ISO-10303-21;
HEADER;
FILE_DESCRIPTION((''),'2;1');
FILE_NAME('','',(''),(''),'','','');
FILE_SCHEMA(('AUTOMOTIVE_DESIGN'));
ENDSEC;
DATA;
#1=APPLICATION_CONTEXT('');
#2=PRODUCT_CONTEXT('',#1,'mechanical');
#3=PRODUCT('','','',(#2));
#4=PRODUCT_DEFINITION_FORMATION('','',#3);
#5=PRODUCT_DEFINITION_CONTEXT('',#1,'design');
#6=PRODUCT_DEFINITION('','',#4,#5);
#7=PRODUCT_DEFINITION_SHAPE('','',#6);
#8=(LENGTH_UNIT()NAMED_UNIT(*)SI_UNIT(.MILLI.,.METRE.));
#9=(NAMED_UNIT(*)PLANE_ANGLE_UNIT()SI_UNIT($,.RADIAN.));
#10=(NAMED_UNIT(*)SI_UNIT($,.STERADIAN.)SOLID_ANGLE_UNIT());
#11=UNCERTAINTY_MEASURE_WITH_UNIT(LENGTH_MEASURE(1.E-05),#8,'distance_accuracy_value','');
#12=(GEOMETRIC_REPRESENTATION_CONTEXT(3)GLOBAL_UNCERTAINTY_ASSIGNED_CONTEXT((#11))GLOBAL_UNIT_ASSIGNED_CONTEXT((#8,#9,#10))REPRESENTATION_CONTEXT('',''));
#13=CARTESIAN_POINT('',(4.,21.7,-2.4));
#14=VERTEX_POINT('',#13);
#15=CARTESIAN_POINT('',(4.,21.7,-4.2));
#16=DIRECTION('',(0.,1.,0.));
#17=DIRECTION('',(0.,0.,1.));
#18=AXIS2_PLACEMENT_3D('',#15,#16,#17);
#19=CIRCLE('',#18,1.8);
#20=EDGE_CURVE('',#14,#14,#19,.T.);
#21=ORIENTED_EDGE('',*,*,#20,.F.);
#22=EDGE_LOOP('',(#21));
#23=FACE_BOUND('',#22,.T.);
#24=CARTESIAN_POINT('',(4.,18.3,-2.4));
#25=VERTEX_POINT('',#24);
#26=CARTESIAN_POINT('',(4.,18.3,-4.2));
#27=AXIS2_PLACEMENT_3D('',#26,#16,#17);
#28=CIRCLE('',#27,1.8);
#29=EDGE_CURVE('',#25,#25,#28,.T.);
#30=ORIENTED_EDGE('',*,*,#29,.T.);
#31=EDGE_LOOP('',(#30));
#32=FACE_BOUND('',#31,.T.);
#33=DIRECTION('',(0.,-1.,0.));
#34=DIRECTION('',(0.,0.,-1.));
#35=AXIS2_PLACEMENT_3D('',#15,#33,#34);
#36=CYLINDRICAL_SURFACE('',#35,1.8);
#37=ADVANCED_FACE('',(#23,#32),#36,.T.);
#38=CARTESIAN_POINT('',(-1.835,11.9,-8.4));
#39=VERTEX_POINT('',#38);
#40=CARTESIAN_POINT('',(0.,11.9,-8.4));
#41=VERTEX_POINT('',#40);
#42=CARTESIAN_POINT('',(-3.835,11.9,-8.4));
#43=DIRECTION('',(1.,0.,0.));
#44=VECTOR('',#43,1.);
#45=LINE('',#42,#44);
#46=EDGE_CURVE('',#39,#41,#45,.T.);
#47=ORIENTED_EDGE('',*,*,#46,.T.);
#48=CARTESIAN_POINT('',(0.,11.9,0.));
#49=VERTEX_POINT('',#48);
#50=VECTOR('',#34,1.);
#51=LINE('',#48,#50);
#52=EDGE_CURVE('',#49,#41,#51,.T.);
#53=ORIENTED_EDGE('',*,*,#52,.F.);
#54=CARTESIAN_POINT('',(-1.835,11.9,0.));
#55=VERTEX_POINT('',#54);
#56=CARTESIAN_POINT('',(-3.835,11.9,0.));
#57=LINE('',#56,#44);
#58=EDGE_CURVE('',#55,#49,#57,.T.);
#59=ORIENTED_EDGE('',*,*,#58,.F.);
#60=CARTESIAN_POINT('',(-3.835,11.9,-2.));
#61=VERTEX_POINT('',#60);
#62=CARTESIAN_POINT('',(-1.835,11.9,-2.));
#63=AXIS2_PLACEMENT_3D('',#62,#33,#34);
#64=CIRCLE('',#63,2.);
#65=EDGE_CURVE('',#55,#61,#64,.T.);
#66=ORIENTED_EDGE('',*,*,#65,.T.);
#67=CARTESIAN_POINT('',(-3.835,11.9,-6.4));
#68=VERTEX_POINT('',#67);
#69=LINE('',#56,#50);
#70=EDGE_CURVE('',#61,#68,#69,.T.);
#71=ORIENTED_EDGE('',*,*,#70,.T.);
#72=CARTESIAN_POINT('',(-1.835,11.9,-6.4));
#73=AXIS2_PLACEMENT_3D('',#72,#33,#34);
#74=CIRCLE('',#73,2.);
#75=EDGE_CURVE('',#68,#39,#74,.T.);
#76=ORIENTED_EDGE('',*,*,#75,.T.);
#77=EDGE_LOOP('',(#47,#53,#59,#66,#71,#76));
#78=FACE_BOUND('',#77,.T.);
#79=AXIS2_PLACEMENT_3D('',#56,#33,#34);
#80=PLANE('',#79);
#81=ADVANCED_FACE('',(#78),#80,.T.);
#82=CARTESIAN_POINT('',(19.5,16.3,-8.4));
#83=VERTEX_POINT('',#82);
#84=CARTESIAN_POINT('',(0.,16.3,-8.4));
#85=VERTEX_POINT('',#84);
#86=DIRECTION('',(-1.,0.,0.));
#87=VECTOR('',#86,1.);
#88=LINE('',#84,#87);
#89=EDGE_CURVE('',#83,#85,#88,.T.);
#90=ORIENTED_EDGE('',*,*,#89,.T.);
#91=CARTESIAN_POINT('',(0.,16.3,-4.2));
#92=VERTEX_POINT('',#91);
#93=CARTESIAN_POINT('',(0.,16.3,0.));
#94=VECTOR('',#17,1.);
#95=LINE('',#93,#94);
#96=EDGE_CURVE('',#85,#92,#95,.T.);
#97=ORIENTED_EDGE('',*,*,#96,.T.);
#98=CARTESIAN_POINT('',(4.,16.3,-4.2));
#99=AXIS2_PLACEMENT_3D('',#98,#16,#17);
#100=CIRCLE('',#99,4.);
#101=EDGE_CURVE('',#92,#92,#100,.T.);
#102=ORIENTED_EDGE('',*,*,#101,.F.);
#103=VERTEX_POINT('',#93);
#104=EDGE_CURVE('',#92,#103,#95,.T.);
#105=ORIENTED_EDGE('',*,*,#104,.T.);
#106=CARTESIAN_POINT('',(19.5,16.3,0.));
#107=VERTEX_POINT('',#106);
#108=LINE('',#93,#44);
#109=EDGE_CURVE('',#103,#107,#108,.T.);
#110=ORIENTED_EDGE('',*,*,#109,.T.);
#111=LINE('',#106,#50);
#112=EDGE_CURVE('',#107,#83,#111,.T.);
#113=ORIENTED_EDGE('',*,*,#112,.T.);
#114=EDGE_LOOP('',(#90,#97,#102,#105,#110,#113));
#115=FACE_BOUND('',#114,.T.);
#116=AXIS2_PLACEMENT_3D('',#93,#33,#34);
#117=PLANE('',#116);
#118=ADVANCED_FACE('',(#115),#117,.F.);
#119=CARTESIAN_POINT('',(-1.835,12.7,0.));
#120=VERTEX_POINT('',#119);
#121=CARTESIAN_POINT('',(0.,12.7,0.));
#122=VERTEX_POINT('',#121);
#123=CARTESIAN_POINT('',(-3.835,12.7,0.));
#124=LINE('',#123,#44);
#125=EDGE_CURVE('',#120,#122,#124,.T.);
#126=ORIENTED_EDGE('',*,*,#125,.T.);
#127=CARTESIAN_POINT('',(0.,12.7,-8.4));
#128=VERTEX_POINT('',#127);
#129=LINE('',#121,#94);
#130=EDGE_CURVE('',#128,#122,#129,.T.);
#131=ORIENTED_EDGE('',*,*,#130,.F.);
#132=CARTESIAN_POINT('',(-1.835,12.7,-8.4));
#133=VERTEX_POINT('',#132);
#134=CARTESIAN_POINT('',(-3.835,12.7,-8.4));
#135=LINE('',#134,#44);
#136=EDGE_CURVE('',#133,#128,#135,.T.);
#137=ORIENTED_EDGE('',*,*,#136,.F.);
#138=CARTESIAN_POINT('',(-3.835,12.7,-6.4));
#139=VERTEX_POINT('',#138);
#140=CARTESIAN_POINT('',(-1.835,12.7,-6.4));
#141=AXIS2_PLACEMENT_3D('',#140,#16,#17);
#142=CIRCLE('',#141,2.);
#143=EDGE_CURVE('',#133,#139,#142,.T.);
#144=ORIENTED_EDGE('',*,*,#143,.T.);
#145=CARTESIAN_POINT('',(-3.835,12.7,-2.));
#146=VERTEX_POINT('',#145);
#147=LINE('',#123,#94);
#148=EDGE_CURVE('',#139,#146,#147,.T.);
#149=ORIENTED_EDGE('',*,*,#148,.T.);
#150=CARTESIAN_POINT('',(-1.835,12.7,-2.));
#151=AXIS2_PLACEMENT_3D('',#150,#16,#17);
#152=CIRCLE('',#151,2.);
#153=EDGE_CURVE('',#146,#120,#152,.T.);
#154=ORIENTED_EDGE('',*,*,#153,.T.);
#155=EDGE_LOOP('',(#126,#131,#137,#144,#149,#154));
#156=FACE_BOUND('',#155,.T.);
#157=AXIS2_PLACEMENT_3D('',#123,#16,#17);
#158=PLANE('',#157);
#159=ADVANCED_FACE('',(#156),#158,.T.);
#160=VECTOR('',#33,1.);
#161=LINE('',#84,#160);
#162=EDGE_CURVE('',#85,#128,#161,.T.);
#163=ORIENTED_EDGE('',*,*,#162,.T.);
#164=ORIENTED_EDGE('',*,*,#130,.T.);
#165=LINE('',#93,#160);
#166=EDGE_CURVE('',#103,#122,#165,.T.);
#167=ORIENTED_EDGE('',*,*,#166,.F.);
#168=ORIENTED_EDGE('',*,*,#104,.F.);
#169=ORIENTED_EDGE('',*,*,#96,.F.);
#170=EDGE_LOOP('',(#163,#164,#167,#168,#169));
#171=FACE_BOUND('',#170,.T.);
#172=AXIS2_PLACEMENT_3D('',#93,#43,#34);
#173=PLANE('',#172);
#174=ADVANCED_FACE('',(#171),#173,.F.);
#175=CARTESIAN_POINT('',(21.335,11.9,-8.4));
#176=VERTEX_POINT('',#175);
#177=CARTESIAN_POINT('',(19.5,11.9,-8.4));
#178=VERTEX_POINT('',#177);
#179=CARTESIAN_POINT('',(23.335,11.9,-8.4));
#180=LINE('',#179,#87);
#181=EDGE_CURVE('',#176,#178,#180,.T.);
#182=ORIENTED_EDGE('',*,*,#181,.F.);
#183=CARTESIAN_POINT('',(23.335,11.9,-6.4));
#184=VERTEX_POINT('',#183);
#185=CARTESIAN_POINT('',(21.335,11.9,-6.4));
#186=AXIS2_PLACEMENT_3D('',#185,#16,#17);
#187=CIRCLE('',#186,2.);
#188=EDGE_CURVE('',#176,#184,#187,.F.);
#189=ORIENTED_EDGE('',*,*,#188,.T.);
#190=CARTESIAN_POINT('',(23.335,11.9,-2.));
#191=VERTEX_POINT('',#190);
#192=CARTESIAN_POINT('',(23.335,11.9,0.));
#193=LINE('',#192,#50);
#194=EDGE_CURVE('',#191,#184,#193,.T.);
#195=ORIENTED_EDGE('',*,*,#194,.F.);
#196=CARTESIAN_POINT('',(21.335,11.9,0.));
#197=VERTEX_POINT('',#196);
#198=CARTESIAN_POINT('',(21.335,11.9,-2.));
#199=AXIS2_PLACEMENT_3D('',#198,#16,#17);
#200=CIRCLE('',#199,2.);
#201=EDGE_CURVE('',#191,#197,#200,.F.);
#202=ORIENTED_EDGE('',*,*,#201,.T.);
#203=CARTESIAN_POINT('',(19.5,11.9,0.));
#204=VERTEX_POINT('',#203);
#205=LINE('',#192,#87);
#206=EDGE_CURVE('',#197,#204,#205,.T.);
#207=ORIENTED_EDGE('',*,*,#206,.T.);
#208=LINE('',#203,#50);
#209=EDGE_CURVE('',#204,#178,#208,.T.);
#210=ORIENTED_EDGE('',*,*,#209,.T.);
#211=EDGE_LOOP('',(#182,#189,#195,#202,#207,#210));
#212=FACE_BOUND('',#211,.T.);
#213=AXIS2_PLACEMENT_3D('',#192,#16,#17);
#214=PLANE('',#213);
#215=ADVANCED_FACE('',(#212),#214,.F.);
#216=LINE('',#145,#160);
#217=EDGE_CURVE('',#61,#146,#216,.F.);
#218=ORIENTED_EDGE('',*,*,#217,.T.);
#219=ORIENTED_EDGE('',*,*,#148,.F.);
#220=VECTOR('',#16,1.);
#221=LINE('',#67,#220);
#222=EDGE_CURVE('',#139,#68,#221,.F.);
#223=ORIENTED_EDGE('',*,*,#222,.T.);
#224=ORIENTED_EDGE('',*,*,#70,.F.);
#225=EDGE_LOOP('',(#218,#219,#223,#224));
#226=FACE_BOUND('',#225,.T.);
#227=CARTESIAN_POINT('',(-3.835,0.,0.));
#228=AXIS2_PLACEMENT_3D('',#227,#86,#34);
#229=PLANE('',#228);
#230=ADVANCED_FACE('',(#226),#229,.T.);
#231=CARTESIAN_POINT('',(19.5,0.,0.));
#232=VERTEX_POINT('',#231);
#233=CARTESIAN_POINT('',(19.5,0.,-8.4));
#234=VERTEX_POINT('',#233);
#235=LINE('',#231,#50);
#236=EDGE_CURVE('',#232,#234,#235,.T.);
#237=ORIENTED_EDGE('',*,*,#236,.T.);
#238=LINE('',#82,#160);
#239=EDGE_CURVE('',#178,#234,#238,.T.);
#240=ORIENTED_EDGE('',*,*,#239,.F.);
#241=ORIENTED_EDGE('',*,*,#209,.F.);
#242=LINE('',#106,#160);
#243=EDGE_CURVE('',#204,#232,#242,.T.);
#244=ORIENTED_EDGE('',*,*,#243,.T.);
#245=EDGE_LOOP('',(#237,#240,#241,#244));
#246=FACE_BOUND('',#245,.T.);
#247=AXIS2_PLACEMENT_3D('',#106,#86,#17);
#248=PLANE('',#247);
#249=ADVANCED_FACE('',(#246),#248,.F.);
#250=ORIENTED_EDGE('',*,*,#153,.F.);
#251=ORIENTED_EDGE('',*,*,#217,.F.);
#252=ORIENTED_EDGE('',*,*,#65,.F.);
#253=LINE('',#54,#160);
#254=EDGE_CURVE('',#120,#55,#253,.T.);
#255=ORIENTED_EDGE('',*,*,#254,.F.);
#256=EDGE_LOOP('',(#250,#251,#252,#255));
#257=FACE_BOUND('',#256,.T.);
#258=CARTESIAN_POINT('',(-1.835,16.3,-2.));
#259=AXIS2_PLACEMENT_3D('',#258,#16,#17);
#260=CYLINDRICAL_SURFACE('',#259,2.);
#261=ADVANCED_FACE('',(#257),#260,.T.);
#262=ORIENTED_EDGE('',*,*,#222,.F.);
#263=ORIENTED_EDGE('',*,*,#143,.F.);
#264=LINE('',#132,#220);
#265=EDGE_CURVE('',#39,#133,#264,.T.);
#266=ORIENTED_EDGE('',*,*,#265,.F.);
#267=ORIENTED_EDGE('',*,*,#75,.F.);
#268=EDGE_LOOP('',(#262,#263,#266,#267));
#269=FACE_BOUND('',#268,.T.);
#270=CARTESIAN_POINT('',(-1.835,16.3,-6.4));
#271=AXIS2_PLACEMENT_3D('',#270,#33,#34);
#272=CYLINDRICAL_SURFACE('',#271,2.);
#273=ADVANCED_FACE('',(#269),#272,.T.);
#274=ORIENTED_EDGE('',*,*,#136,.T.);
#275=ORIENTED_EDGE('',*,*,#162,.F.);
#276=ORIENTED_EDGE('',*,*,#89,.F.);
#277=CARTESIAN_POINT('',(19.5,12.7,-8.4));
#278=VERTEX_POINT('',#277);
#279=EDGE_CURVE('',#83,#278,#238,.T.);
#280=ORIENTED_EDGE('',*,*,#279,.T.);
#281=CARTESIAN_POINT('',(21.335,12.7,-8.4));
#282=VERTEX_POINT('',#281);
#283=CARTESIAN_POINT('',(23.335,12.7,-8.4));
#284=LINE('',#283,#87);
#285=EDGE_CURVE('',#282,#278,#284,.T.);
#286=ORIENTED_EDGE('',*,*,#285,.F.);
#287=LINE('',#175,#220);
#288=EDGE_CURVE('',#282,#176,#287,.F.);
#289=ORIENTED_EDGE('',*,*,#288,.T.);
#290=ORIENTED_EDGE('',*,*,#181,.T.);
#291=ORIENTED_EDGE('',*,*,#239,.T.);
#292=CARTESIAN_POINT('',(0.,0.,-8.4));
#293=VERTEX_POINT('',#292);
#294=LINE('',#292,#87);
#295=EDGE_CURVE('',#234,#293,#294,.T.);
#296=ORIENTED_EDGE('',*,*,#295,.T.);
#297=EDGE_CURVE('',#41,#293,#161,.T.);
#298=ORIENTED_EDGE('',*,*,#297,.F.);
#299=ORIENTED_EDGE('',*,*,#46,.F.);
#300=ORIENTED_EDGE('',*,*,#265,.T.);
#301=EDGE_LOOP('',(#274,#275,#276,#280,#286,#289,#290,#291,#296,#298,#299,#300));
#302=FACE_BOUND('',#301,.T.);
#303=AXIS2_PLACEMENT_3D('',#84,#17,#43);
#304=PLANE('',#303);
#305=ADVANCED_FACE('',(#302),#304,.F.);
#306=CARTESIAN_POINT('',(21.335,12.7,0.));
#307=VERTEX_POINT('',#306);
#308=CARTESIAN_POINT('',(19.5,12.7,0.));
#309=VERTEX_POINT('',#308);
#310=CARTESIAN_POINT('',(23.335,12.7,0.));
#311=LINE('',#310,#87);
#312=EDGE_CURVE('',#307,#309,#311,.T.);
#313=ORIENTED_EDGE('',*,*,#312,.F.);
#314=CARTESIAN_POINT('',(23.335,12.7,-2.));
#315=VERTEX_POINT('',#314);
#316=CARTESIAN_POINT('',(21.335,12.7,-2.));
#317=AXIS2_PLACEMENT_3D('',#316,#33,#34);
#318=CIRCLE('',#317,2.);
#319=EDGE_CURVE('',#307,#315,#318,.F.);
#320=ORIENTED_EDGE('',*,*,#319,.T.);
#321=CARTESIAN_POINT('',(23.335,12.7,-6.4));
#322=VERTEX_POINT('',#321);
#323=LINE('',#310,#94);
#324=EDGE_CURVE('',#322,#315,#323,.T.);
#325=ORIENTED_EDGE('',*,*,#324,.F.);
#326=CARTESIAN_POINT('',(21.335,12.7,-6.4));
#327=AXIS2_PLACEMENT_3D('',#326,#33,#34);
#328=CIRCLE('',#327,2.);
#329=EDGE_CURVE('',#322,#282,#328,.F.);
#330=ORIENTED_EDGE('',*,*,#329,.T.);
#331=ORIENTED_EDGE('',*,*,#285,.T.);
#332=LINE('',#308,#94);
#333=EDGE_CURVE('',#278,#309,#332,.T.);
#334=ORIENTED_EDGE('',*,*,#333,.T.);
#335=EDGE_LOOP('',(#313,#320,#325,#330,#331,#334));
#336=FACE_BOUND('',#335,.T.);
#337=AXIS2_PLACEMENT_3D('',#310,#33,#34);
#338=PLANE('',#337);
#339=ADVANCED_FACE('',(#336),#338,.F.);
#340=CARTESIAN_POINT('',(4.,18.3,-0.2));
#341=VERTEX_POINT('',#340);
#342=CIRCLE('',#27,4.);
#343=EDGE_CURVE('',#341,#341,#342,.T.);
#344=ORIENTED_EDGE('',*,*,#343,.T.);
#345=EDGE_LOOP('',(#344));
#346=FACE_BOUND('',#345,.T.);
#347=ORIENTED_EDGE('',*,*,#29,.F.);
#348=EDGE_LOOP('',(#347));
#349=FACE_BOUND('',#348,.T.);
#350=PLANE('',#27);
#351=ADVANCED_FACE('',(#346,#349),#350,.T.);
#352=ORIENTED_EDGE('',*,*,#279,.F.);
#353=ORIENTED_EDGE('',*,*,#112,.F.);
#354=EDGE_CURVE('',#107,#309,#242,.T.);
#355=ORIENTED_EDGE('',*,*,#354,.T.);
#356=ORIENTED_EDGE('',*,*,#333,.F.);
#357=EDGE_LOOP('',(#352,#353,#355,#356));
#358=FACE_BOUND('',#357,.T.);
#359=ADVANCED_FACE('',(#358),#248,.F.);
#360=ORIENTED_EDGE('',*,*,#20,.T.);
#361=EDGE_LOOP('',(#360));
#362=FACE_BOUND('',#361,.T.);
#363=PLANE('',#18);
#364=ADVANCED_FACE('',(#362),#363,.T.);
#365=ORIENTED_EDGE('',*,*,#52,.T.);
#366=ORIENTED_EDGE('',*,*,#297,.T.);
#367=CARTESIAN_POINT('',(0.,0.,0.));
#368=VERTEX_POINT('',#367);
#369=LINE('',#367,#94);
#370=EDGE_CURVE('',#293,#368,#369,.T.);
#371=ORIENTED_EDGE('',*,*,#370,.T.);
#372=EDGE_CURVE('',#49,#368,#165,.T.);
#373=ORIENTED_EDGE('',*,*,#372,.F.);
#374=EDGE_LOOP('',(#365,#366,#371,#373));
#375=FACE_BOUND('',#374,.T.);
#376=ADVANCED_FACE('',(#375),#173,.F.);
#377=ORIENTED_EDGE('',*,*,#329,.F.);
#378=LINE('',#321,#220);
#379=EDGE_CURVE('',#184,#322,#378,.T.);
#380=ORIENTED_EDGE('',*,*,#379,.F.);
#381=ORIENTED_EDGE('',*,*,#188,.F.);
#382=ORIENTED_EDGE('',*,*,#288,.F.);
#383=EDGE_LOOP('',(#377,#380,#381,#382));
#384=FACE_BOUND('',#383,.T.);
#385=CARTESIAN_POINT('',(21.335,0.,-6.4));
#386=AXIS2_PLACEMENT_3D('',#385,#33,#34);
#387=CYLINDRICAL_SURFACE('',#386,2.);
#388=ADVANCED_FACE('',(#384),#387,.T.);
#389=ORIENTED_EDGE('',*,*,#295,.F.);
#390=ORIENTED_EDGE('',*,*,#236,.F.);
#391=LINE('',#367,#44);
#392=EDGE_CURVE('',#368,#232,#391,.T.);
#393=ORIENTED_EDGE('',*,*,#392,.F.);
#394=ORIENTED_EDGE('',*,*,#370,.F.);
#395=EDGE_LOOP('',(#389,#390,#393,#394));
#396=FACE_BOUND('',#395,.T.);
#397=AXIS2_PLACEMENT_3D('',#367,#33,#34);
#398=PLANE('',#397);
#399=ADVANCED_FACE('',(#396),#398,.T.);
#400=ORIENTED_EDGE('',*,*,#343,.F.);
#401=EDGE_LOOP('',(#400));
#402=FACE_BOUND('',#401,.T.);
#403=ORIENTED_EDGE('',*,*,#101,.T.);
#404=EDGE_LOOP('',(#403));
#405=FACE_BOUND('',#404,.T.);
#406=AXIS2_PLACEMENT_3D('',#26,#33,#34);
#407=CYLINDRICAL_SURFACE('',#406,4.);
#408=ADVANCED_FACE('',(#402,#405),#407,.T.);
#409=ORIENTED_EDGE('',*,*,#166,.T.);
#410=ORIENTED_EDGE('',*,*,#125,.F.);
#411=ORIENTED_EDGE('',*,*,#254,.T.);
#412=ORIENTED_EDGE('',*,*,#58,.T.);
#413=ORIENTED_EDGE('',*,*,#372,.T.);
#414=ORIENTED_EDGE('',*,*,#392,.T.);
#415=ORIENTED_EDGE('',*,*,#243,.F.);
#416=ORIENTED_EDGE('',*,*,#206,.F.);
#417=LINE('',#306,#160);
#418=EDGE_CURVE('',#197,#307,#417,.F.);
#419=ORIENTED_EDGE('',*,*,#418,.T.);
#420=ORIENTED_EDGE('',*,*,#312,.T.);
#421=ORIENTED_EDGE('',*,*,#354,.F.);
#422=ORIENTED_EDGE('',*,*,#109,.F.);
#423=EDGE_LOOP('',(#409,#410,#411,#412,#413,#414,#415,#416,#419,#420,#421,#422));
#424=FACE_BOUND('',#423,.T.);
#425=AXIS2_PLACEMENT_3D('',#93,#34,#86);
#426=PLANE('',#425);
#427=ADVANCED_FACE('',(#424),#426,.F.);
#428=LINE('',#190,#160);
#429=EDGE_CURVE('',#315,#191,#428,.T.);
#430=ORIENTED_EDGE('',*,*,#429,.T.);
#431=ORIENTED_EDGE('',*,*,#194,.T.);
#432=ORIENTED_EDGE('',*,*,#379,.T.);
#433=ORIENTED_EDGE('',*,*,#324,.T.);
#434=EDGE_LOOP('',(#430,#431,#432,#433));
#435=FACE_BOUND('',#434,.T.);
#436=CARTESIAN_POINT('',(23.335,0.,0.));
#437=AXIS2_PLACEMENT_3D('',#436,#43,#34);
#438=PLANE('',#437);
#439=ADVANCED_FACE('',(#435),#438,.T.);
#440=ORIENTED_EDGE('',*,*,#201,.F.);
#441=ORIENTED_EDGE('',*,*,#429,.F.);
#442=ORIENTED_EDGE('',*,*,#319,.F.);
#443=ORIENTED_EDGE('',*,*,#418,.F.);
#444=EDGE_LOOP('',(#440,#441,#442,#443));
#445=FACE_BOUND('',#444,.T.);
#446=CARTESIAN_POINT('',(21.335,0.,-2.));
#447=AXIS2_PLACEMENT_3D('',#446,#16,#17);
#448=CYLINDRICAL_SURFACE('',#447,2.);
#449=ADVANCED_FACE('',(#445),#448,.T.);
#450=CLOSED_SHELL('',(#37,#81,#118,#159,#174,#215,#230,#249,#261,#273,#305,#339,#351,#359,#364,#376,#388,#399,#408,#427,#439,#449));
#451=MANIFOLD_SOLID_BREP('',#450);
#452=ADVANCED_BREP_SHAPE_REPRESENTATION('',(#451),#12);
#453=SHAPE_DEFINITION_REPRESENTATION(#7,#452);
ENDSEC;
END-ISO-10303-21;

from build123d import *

# Parameters (mm, degrees)
SKETCH1_W           = 19.5
SKETCH1_H           = 8.4
BOSS_EXTRUDE1_DEPTH = 16.3
SKETCH2_R           = 4
BOSS_EXTRUDE2_DEPTH = 2
SKETCH3_W           = 8.4
SKETCH3_H           = 0.8
BOSS_EXTRUDE3_DEPTH = 3.835
FILLET1_R           = 2
FILLET2_R           = 2
SKETCH4_R           = 1.8
BOSS_EXTRUDE4_DEPTH = 3.4


with BuildPart() as part:
    # Sketch1 → Boss-Extrude1 (new body)
    with BuildSketch(Plane(origin=(0, 0, 0), x_dir=(1, 0, 0), z_dir=(0, 1, 0))):
        with Locations((9.75, 4.2)):
            Rectangle(SKETCH1_W, SKETCH1_H)
    extrude(amount=BOSS_EXTRUDE1_DEPTH)

    # Sketch2 → Boss-Extrude2 (add)
    with BuildSketch(Plane(origin=(0, 16.3, 0), x_dir=(1, 0, 0), z_dir=(0, 1, 0))):
        with Locations((4, 4.2)):
            Circle(SKETCH2_R)
    extrude(amount=BOSS_EXTRUDE2_DEPTH)

    # Sketch3 → Boss-Extrude3 (add)
    with BuildSketch(Plane(origin=(19.5, 0, 0), x_dir=(0, 0, -1), z_dir=(1, 0, 0))):
        with Locations((4.2, 12.3)):
            Rectangle(SKETCH3_W, SKETCH3_H)
    boss_extrude3 = extrude(amount=BOSS_EXTRUDE3_DEPTH)

    # Fillet1
    fillet1_edges = [part.edges().sort_by_distance(p)[0] for p in [
        (23.335, 12.3, 0),
        (23.335, 12.3, -8.4),
    ]]
    fillet(fillet1_edges, radius=FILLET1_R)

    # Mirror1: Boss-Extrude3 across plane
    add(boss_extrude3.mirror(Plane(origin=(9.75, 0, 0), x_dir=(0, 0, 1), z_dir=(1, 0, 0))))

    # Fillet2
    fillet2_edges = [part.edges().sort_by_distance(p)[0] for p in [
        (-3.835, 12.3, 0),
        (-3.835, 12.3, -8.4),
    ]]
    fillet(fillet2_edges, radius=FILLET2_R)

    # Sketch4 → Boss-Extrude4 (add)
    with BuildSketch(Plane(origin=(0, 18.3, 0), x_dir=(1, 0, 0), z_dir=(0, 1, 0))):
        with Locations((4, 4.2)):
            Circle(SKETCH4_R)
    extrude(amount=BOSS_EXTRUDE4_DEPTH)


solid = part.part
